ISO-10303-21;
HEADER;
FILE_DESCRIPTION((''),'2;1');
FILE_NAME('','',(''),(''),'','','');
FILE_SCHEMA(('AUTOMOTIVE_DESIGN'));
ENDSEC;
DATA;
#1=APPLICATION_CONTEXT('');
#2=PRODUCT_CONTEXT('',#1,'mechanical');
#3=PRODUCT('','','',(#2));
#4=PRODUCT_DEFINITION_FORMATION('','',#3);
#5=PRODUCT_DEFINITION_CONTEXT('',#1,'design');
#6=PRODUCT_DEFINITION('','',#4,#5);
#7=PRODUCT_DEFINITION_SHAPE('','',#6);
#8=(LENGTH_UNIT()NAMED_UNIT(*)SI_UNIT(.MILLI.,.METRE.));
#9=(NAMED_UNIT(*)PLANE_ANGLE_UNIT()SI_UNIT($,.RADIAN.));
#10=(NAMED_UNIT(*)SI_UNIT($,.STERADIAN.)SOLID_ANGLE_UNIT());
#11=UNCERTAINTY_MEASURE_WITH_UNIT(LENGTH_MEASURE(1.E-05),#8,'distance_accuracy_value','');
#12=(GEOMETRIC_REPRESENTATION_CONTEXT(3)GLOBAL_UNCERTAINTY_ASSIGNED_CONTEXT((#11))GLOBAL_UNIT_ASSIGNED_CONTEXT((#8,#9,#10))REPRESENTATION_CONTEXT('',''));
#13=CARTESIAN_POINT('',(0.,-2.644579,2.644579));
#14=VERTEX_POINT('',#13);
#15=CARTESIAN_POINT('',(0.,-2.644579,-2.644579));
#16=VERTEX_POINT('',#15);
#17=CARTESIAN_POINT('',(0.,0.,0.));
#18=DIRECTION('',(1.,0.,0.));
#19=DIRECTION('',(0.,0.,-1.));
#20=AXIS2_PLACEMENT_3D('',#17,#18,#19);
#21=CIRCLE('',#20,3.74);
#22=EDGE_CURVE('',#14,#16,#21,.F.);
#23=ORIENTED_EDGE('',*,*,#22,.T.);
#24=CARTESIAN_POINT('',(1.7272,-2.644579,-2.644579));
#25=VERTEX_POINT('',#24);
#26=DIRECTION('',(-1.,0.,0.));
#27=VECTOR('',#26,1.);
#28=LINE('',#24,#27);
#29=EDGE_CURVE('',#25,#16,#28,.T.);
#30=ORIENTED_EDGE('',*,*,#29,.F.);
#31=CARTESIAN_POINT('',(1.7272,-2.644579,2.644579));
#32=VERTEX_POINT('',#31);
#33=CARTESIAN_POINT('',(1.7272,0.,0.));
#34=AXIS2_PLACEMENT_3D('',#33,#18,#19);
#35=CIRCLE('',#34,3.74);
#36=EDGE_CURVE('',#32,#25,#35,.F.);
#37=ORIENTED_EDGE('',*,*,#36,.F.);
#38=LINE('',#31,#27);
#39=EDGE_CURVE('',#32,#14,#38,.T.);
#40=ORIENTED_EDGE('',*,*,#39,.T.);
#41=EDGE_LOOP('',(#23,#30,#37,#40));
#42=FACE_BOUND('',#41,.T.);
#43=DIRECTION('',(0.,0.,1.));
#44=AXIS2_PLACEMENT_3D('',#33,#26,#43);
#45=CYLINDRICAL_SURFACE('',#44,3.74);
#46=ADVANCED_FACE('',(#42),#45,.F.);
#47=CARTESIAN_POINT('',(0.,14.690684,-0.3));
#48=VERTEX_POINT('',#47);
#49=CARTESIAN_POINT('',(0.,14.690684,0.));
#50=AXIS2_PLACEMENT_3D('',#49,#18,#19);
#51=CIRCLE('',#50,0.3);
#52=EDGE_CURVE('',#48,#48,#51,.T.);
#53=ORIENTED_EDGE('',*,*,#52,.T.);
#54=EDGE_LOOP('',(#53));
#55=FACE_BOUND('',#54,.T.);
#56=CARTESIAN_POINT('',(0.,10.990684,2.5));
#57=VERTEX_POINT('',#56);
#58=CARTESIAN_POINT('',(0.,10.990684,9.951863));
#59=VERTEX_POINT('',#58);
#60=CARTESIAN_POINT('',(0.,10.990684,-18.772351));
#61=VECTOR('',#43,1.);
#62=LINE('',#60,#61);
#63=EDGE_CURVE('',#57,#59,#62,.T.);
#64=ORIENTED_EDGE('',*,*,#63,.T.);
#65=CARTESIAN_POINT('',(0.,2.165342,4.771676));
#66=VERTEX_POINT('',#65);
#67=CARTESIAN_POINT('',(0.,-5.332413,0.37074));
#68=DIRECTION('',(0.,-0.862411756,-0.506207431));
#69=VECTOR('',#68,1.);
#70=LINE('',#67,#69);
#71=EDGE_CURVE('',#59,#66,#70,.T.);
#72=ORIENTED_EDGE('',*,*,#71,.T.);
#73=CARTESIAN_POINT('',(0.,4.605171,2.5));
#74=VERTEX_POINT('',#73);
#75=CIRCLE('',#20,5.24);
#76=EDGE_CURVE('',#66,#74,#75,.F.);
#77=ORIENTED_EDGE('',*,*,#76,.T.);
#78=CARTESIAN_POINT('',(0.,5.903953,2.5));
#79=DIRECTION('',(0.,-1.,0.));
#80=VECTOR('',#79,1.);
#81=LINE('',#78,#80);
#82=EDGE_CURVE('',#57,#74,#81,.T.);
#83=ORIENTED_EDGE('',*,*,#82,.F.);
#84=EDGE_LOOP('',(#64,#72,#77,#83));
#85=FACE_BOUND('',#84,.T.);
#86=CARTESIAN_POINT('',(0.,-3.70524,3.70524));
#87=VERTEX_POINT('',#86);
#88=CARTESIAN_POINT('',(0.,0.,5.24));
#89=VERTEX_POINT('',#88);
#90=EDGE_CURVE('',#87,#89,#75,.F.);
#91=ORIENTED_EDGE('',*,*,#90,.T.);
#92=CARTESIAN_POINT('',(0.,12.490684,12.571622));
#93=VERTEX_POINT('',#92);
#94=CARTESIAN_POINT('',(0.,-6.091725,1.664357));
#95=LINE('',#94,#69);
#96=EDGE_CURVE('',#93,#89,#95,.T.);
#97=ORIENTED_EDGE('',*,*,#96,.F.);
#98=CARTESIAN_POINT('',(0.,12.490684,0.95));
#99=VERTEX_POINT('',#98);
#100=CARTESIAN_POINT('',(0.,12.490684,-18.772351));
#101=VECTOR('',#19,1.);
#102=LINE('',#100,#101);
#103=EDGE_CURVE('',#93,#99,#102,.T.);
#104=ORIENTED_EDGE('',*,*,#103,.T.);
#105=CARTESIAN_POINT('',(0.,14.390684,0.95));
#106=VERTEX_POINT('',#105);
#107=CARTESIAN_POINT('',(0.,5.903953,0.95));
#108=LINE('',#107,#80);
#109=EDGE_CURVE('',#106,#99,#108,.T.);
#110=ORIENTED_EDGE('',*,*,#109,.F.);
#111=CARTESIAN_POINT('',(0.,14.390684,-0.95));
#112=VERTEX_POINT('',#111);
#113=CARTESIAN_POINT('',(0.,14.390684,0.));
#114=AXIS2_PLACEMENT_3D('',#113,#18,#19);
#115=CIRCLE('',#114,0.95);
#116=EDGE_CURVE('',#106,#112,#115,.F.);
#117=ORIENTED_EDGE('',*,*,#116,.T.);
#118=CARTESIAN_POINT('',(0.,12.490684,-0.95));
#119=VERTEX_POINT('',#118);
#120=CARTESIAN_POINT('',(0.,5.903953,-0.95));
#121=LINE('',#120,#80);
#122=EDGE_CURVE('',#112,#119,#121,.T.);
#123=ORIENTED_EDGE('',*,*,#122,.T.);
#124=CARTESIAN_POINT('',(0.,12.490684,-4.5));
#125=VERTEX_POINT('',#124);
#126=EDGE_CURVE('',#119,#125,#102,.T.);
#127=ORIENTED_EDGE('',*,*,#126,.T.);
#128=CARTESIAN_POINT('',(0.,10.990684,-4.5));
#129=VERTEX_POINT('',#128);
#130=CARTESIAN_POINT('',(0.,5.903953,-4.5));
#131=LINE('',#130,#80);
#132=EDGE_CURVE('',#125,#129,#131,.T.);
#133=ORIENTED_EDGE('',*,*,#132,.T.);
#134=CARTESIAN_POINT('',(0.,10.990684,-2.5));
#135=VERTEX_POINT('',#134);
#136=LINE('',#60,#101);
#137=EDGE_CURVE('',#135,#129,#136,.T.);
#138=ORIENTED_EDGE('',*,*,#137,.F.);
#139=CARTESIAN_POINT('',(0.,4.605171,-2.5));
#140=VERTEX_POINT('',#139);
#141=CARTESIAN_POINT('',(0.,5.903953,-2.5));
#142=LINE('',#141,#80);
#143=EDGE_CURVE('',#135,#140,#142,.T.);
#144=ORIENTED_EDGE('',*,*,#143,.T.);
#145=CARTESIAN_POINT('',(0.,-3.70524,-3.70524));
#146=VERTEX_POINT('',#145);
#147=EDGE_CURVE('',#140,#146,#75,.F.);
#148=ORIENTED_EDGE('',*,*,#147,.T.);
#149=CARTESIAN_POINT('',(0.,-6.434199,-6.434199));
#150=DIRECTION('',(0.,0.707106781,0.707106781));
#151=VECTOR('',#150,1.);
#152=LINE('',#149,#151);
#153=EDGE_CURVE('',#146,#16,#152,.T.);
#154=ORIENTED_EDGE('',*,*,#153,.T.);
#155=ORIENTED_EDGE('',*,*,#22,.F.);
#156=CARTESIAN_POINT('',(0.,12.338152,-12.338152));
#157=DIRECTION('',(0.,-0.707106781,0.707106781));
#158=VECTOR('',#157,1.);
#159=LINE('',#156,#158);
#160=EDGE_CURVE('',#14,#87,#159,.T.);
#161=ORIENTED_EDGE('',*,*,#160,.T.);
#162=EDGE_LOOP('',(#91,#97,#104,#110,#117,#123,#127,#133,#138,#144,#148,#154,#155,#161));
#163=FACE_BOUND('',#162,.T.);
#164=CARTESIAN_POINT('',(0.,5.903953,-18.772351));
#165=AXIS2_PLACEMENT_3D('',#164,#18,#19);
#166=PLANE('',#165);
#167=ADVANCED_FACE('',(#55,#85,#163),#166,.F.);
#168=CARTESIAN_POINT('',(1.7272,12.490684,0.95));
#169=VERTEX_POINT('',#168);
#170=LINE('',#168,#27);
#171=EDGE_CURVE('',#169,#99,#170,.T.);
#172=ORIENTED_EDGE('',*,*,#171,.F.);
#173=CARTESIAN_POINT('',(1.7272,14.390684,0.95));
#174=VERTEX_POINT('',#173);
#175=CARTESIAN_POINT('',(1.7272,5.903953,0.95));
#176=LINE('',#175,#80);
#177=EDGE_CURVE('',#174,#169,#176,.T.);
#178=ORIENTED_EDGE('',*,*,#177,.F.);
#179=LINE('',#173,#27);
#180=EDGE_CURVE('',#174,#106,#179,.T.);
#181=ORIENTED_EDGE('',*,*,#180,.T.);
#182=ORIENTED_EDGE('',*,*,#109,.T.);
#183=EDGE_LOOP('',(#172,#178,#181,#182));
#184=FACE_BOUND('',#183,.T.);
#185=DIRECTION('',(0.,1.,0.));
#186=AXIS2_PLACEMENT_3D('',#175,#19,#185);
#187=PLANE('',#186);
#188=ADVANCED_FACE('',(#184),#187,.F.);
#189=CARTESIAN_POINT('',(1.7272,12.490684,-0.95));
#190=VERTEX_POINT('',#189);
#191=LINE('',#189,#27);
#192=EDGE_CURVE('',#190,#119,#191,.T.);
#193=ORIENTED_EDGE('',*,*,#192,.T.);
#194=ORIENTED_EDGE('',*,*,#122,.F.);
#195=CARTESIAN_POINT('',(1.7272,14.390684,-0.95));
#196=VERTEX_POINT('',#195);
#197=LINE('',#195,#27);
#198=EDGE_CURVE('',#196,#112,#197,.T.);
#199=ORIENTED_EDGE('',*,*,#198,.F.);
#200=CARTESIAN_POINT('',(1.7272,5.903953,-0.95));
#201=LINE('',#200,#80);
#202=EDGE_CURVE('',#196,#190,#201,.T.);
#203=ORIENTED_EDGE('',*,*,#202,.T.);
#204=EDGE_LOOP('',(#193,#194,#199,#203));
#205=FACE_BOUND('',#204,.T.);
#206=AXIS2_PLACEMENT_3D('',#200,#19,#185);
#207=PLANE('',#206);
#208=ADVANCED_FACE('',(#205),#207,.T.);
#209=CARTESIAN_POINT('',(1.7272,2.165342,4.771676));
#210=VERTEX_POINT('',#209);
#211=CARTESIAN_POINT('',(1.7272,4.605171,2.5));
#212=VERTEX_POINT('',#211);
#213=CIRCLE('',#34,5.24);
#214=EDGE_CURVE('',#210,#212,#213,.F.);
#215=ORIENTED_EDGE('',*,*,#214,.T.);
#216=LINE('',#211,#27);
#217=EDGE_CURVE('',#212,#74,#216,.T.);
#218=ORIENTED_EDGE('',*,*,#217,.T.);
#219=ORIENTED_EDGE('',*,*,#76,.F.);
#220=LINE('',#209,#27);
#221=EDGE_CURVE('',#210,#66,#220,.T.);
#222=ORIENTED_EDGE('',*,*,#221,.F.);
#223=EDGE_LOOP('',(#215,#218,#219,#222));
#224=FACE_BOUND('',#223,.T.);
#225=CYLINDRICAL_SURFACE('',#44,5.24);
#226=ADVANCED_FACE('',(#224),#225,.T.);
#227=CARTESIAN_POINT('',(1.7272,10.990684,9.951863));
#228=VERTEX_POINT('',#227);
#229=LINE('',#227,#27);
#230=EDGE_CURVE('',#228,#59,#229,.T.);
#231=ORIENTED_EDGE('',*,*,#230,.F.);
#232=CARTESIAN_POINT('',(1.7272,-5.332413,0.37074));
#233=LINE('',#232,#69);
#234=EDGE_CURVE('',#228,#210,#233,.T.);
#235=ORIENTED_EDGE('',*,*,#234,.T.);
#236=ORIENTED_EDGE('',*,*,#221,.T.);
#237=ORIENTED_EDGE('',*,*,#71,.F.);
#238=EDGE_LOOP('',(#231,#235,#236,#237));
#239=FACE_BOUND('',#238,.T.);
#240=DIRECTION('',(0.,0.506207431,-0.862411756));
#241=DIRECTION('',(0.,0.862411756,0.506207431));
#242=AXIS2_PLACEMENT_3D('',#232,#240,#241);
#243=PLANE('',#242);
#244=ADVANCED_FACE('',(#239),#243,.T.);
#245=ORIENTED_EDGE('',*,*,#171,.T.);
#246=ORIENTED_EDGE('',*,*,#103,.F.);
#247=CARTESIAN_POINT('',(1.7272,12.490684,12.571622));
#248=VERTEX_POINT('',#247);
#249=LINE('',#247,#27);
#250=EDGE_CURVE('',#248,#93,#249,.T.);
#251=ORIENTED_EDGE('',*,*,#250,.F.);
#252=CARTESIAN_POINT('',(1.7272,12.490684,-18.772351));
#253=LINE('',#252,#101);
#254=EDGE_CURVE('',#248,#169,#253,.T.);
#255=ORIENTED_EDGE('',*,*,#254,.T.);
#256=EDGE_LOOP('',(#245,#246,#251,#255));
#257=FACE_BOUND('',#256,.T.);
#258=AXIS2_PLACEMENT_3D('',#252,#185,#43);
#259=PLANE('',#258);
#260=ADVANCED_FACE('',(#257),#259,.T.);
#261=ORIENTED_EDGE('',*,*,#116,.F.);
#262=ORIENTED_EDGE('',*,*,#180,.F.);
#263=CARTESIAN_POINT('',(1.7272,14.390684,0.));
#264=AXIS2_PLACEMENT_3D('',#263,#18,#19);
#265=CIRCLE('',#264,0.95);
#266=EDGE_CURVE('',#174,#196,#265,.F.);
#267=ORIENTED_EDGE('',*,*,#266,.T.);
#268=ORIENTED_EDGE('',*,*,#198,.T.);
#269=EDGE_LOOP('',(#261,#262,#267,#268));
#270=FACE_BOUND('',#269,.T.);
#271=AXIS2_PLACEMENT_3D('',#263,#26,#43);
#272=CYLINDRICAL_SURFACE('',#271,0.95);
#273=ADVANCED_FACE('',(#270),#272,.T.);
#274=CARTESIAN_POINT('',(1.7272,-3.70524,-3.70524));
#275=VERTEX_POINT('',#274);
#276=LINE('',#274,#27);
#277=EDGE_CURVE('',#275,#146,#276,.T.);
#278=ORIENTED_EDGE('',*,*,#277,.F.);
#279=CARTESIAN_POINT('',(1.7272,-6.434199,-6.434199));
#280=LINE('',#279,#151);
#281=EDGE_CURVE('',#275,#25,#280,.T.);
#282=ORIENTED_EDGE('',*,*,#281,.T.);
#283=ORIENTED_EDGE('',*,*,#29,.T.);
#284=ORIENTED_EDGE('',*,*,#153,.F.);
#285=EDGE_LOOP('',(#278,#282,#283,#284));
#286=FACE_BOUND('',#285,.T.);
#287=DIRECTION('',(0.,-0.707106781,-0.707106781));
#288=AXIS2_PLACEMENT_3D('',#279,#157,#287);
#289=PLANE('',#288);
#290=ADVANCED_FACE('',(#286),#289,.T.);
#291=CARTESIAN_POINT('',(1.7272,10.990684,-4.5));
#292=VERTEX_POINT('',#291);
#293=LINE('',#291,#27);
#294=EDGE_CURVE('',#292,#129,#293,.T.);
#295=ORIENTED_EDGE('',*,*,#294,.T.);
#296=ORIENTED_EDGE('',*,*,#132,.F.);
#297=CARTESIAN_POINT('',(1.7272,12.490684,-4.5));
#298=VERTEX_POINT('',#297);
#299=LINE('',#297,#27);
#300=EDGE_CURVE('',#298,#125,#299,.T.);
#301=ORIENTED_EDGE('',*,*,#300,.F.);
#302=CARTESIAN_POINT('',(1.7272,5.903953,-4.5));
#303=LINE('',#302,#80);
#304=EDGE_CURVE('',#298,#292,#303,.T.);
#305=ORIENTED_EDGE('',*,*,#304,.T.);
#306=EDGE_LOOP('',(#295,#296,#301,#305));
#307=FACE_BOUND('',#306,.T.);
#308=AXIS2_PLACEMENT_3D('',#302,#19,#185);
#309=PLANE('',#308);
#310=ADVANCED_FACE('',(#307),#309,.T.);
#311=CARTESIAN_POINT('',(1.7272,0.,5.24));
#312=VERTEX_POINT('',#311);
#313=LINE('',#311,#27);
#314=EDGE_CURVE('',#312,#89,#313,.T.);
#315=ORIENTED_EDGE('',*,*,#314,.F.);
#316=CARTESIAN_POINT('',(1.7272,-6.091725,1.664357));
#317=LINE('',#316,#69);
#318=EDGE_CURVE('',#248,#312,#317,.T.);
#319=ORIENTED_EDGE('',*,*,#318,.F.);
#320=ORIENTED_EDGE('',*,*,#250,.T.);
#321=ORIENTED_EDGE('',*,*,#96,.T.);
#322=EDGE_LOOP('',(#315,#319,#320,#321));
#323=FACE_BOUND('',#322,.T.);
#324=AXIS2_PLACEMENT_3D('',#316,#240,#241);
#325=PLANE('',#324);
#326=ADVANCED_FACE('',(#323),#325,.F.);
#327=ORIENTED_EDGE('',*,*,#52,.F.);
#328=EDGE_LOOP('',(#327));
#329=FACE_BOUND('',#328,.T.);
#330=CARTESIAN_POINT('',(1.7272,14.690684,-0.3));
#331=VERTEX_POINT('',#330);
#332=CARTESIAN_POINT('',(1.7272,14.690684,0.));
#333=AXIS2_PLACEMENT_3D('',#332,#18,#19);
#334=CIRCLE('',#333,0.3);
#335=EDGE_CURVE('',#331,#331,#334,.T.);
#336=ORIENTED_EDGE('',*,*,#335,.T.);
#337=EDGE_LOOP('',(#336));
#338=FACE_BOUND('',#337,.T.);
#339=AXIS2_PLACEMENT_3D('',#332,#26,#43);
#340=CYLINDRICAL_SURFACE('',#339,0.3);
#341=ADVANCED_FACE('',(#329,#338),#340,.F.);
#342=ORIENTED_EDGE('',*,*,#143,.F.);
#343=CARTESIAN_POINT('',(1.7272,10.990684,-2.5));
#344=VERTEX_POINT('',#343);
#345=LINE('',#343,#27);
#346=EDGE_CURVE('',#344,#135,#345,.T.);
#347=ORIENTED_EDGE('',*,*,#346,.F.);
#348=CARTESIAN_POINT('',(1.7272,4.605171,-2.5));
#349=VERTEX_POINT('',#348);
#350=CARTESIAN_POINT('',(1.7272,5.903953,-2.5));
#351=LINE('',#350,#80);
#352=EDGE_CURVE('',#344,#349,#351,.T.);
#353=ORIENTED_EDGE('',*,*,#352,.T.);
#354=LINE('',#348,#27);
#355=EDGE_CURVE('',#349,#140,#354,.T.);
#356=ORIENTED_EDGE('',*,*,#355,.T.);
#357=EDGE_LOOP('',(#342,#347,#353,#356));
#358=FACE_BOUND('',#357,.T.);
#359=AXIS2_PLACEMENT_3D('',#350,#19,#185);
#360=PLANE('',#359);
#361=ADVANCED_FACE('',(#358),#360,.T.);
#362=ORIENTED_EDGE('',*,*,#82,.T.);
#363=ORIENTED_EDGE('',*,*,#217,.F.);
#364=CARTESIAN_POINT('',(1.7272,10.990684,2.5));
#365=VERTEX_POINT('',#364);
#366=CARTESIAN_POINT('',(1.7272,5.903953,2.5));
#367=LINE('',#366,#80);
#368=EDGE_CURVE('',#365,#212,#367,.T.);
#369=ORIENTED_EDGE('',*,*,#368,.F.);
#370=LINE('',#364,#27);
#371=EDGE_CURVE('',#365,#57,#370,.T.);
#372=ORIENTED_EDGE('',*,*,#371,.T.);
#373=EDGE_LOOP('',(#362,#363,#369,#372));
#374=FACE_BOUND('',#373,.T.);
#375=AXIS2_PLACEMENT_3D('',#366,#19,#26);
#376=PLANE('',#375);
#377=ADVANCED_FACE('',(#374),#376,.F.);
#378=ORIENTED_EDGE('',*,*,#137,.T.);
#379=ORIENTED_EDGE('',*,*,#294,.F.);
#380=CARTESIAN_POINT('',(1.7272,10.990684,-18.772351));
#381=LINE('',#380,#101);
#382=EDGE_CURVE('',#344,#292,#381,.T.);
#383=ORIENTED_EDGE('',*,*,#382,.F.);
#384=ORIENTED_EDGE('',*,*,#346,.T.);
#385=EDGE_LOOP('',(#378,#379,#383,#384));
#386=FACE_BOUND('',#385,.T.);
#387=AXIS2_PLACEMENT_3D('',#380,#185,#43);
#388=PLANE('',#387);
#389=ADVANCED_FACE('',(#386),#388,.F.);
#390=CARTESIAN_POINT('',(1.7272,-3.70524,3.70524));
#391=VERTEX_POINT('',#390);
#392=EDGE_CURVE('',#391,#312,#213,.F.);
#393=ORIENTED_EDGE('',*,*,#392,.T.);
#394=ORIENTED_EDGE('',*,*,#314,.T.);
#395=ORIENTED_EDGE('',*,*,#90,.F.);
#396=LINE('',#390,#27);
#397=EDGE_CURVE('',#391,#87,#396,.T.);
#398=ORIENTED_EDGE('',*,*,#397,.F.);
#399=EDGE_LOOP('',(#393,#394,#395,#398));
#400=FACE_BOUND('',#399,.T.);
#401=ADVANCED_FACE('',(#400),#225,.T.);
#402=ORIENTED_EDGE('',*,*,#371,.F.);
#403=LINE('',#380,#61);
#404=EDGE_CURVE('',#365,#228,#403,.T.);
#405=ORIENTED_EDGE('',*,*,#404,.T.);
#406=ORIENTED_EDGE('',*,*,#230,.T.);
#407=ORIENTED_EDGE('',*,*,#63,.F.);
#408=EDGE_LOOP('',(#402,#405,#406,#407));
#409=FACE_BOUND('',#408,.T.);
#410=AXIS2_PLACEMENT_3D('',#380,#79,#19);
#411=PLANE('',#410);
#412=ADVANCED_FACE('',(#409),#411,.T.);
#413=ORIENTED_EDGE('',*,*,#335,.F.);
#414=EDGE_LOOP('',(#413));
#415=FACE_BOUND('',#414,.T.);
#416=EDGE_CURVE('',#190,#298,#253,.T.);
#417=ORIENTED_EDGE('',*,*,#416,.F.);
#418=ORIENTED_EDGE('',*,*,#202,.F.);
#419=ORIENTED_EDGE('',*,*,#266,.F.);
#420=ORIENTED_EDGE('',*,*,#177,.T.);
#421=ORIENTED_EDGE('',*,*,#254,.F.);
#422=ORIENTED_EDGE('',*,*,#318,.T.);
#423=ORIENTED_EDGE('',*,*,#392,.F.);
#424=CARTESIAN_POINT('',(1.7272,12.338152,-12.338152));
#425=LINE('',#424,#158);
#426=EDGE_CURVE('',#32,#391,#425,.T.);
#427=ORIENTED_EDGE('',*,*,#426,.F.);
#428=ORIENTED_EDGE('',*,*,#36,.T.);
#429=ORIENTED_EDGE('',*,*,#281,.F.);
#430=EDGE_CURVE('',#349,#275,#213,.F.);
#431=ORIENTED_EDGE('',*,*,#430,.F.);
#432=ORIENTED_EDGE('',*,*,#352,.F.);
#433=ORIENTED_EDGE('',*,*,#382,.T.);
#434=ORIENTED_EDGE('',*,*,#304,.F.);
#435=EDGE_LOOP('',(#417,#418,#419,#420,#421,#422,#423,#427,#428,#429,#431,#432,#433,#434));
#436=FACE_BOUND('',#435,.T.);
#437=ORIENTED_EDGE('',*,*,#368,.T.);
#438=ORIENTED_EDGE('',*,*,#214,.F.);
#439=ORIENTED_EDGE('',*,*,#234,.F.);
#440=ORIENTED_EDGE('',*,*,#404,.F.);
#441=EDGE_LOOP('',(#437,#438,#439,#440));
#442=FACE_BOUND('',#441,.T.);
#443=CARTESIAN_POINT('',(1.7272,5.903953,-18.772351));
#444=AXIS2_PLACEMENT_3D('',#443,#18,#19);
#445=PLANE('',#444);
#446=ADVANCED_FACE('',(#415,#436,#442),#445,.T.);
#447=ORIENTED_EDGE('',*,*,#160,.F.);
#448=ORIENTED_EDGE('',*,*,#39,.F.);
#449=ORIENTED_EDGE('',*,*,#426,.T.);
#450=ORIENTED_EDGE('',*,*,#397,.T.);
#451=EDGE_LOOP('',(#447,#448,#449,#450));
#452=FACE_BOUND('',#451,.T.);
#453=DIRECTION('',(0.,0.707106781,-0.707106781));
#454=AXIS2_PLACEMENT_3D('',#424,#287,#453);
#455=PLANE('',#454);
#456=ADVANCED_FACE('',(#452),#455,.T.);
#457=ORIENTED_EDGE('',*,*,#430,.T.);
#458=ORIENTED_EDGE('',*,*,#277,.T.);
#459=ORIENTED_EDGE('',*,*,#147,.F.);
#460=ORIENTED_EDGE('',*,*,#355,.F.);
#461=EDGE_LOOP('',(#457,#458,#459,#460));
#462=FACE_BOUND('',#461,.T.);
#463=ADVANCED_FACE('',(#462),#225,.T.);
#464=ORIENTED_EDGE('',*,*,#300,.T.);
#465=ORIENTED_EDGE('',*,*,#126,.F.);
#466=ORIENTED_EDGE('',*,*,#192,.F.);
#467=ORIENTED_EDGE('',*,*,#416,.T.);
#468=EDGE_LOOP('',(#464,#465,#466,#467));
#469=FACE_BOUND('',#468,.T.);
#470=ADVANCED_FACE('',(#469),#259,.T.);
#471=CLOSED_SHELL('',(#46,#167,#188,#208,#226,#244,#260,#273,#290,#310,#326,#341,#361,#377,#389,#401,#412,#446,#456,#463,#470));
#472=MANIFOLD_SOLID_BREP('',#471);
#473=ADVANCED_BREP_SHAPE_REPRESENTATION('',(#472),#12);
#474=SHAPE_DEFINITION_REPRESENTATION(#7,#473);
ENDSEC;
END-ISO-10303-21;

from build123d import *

# Parameters (mm, degrees)
SKETCH1_R           = 0.3
SKETCH1_W           = 2
SKETCH1_H           = 1.5
BOSS_EXTRUDE1_DEPTH = 1.7272


with BuildPart() as part:
    # Sketch1 → Boss-Extrude1 (new body)
    # profile 1 of 3: a face of its own
    with BuildSketch(Plane(origin=(0, 0, 0), x_dir=(0, 0, -1), z_dir=(1, 0, 0))):
        with BuildLine():
            ThreePointArc((-0.95, 14.390683939), (0, 15.340683939), (0.95, 14.390683939))
            Line((0.95, 14.390683939), (0.95, 12.490683939))
            Line((0.95, 12.490683939), (2.5, 12.490683939))
            Line((2.5, 12.490683939), (2.5, 4.605171007))
            ThreePointArc((2.5, 4.605171007), (5.185747801, 0.752076956), (3.705239533, -3.705239533))
            Line((3.705239533, -3.705239533), (2.644579362, -2.644579362))
            ThreePointArc((2.644579362, -2.644579362), (0, 3.74), (-2.644579362, -2.644579362))
            Line((-2.644579362, -2.644579362), (-3.705239533, -3.705239533))
            ThreePointArc((-3.705239533, -3.705239533), (-5.185747801, 0.752076956), (-2.5, 4.605171007))
            Line((-2.5, 4.605171007), (-2.5, 12.490683939))
            Line((-2.5, 12.490683939), (-0.95, 12.490683939))
            Line((-0.95, 12.490683939), (-0.95, 14.390683939))
        make_face()
        with Locations((0, 14.690683939)):
            Circle(SKETCH1_R, mode=Mode.SUBTRACT)
    # profile 2 of 3: a face of its own
    with BuildSketch(Plane(origin=(0, 0, 0), x_dir=(0, 0, -1), z_dir=(1, 0, 0))):
        with BuildLine():
            Line((-12.571622028, 12.490683939), (-5.24, 0))
            ThreePointArc((-5.24, 0), (-5.121580996, 1.107703977), (-4.771676297, 2.165341847))
            Line((-4.771676297, 2.165341847), (-9.951862811, 10.990683939))
            Line((-9.951862811, 10.990683939), (-2.5, 10.990683939))
            Line((-2.5, 10.990683939), (-2.5, 12.490683939))
            Line((-2.5, 12.490683939), (-12.571622028, 12.490683939))
        make_face()
    # profile 3 of 3: a face of its own
    with BuildSketch(Plane(origin=(0, 0, 0), x_dir=(0, 0, -1), z_dir=(1, 0, 0))):
        with Locations((3.5, 11.740683939)):
            Rectangle(SKETCH1_W, SKETCH1_H)
    extrude(amount=BOSS_EXTRUDE1_DEPTH)


solid = part.part
